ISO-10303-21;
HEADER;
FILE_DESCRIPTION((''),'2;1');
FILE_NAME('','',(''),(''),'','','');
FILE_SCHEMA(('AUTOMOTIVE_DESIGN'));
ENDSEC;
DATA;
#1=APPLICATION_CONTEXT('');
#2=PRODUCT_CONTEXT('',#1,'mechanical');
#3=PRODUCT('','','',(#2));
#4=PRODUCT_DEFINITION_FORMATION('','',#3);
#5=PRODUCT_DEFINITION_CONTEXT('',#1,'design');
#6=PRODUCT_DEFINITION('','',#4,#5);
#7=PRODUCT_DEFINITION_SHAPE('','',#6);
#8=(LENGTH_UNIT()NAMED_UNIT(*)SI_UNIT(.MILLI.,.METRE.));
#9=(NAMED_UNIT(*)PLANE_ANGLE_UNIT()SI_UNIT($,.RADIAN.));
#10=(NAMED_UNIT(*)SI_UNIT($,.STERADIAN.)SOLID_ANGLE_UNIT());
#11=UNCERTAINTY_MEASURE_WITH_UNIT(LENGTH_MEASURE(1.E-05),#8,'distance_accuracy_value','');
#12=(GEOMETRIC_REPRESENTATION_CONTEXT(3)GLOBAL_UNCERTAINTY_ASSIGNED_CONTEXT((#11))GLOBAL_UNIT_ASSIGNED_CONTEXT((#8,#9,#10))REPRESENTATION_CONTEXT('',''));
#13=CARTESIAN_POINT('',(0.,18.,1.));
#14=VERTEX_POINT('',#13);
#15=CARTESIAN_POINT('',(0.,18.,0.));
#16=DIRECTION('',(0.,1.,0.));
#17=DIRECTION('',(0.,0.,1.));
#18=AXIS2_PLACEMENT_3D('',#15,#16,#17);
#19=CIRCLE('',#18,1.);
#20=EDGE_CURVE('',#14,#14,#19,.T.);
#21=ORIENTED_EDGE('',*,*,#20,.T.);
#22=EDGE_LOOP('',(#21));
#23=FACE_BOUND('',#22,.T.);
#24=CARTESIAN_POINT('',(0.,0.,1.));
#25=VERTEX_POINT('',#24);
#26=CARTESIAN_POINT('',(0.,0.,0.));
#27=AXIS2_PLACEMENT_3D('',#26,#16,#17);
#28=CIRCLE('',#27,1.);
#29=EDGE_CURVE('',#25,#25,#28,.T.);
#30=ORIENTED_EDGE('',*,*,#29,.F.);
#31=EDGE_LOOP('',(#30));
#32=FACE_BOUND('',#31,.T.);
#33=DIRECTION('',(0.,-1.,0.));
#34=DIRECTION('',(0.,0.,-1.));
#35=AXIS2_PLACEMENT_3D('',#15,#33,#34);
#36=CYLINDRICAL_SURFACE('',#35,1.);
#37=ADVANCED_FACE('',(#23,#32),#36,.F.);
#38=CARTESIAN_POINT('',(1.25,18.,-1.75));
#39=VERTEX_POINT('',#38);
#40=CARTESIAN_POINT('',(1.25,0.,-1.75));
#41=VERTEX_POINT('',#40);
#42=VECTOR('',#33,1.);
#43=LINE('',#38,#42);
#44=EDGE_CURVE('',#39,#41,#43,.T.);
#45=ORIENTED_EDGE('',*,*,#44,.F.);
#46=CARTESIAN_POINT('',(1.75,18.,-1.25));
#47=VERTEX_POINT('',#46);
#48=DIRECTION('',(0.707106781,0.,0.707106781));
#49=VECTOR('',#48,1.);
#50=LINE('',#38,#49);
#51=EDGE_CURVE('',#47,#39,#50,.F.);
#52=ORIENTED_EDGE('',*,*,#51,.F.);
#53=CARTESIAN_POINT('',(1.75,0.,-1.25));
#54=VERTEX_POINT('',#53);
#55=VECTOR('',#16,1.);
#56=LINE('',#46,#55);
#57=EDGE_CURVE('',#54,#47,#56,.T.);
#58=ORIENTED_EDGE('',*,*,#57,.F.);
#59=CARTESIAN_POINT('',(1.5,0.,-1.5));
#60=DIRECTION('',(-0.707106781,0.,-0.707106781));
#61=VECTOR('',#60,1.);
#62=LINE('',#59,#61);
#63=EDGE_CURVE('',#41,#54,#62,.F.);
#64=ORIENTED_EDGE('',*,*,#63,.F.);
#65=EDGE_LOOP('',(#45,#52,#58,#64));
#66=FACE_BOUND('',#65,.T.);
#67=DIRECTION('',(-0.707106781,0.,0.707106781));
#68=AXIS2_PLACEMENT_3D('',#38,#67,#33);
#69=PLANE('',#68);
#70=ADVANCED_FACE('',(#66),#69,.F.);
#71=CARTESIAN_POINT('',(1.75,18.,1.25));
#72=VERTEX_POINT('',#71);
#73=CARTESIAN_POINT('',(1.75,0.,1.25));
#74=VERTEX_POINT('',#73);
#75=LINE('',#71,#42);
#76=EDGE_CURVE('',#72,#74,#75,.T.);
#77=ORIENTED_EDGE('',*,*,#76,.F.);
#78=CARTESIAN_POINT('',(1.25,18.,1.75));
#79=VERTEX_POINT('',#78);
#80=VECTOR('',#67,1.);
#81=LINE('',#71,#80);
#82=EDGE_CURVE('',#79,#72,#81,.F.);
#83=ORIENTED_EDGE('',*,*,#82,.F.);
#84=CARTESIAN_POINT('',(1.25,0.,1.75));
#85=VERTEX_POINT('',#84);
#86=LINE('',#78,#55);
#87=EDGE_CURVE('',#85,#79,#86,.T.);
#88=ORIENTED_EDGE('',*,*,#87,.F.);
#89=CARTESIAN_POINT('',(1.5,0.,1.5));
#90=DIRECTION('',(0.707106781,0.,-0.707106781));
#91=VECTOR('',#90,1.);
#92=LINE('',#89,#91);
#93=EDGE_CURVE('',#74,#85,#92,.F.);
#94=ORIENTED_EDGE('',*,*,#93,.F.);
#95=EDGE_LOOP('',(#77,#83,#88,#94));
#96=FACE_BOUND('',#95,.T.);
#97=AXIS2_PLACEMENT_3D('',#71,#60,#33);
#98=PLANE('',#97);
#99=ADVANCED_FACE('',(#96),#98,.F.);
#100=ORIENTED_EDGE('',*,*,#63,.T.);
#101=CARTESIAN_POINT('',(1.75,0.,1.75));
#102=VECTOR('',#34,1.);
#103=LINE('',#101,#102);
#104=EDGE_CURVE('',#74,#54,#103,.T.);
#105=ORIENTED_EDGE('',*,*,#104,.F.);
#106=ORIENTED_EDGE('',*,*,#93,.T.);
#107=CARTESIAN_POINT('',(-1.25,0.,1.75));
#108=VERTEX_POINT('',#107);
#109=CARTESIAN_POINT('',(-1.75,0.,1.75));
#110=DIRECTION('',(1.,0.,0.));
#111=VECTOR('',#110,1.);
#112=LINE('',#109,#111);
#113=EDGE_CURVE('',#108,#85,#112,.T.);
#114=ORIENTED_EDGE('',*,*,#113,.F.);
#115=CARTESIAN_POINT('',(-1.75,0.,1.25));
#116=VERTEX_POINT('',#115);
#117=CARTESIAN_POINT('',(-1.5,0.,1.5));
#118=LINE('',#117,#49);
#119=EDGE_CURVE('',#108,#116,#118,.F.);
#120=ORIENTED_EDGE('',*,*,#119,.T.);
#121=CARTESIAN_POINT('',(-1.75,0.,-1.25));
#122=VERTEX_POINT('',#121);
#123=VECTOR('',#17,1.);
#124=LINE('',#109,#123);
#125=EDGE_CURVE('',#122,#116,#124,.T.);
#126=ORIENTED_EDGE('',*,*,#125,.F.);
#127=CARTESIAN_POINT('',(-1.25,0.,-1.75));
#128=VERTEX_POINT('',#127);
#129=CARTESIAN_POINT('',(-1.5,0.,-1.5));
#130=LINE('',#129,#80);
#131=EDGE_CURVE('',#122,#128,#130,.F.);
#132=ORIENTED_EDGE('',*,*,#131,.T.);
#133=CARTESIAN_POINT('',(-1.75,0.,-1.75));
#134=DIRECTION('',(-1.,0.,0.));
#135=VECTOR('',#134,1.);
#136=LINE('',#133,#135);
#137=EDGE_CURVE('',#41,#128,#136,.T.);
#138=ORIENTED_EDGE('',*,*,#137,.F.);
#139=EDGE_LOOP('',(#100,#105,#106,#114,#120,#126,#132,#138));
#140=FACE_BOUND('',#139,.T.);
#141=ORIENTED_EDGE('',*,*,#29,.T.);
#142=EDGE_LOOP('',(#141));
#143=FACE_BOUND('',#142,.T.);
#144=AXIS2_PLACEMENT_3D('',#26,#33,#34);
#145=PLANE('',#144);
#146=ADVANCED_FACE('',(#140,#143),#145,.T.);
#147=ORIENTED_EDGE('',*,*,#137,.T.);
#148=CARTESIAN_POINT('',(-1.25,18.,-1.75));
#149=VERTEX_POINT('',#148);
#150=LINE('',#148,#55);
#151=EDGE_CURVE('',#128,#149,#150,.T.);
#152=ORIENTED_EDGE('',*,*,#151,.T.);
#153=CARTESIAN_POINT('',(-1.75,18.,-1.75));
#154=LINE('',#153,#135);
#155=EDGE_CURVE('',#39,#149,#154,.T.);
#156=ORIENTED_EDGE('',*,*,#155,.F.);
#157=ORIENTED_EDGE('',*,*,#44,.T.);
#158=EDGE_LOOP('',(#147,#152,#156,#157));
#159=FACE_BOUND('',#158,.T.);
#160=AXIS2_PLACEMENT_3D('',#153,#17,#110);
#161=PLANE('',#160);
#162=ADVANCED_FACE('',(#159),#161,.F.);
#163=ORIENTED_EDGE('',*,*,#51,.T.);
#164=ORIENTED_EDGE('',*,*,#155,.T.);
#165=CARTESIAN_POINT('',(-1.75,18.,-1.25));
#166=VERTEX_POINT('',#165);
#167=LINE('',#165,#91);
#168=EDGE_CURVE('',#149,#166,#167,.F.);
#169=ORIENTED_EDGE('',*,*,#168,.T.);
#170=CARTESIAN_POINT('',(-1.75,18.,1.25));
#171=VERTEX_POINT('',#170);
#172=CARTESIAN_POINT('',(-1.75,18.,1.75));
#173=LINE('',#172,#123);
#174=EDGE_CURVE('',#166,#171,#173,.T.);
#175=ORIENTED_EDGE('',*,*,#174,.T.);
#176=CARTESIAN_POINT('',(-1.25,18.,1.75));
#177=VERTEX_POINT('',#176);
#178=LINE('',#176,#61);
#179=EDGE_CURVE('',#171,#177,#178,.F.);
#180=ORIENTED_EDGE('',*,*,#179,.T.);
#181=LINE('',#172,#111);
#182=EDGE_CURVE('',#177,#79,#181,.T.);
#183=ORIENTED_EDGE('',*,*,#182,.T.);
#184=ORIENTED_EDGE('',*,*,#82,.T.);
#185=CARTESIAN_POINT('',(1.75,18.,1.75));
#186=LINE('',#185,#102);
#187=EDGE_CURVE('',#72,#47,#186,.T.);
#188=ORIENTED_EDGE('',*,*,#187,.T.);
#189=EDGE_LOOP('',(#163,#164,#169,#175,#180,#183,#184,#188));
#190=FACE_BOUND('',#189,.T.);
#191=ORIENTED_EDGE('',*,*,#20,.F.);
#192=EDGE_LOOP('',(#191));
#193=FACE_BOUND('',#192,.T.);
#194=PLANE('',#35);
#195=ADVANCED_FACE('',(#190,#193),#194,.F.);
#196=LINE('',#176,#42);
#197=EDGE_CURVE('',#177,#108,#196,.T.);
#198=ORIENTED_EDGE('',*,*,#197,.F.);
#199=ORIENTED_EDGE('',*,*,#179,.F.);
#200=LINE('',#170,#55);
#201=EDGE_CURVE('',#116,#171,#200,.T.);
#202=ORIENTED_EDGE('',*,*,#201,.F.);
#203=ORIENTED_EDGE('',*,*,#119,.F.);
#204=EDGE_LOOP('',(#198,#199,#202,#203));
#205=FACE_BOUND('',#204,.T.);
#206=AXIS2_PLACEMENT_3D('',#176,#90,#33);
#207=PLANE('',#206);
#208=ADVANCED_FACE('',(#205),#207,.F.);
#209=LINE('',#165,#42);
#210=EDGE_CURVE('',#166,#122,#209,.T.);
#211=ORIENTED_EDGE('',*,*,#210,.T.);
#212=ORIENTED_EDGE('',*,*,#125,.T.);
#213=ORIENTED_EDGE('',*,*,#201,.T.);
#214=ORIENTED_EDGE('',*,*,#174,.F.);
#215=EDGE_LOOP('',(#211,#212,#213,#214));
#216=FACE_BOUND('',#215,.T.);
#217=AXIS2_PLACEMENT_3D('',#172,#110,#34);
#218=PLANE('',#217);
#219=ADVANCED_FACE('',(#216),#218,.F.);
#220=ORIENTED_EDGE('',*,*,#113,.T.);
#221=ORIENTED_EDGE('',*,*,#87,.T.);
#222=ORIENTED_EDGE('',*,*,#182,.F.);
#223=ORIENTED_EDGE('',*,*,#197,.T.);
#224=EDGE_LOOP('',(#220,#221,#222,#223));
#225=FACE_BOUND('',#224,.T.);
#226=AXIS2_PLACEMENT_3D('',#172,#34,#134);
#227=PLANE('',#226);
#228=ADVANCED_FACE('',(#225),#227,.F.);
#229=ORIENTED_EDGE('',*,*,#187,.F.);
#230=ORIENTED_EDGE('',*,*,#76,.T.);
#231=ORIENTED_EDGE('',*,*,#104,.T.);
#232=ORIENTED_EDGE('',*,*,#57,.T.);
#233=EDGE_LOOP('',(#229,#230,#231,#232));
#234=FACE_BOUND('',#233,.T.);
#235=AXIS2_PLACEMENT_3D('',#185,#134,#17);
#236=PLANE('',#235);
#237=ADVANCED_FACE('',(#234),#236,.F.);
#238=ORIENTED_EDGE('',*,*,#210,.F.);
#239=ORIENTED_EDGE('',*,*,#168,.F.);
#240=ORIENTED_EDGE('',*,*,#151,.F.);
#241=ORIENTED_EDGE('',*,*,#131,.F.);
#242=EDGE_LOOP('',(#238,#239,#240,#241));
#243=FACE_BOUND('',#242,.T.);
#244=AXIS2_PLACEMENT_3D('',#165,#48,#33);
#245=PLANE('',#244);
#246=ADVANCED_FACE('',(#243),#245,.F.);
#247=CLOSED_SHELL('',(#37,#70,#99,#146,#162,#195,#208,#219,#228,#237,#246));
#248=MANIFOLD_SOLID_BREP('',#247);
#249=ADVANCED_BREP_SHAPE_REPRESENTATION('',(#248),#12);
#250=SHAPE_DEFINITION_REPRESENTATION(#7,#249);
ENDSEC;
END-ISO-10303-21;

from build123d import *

# Parameters (mm, degrees)
SKETCH1_W           = 3.5
SKETCH1_H           = 3.5
SKETCH1_R           = 1
BOSS_EXTRUDE1_DEPTH = 18
CHAMFER1_SIZE       = 0.5


with BuildPart() as part:
    # Sketch1 → Boss-Extrude1 (new body)
    with BuildSketch(Plane(origin=(0, 0, 0), x_dir=(1, 0, 0), z_dir=(0, 1, 0))):
        Rectangle(SKETCH1_W, SKETCH1_H)
        Circle(SKETCH1_R, mode=Mode.SUBTRACT)
    extrude(amount=BOSS_EXTRUDE1_DEPTH)

    # Chamfer1
    chamfer1_edges = [part.edges().sort_by_distance(p)[0] for p in [
        (1.75, 9, 1.75),
        (-1.75, 9, 1.75),
        (-1.75, 9, -1.75),
        (1.75, 9, -1.75),
    ]]
    chamfer(chamfer1_edges, length=CHAMFER1_SIZE)


solid = part.part
